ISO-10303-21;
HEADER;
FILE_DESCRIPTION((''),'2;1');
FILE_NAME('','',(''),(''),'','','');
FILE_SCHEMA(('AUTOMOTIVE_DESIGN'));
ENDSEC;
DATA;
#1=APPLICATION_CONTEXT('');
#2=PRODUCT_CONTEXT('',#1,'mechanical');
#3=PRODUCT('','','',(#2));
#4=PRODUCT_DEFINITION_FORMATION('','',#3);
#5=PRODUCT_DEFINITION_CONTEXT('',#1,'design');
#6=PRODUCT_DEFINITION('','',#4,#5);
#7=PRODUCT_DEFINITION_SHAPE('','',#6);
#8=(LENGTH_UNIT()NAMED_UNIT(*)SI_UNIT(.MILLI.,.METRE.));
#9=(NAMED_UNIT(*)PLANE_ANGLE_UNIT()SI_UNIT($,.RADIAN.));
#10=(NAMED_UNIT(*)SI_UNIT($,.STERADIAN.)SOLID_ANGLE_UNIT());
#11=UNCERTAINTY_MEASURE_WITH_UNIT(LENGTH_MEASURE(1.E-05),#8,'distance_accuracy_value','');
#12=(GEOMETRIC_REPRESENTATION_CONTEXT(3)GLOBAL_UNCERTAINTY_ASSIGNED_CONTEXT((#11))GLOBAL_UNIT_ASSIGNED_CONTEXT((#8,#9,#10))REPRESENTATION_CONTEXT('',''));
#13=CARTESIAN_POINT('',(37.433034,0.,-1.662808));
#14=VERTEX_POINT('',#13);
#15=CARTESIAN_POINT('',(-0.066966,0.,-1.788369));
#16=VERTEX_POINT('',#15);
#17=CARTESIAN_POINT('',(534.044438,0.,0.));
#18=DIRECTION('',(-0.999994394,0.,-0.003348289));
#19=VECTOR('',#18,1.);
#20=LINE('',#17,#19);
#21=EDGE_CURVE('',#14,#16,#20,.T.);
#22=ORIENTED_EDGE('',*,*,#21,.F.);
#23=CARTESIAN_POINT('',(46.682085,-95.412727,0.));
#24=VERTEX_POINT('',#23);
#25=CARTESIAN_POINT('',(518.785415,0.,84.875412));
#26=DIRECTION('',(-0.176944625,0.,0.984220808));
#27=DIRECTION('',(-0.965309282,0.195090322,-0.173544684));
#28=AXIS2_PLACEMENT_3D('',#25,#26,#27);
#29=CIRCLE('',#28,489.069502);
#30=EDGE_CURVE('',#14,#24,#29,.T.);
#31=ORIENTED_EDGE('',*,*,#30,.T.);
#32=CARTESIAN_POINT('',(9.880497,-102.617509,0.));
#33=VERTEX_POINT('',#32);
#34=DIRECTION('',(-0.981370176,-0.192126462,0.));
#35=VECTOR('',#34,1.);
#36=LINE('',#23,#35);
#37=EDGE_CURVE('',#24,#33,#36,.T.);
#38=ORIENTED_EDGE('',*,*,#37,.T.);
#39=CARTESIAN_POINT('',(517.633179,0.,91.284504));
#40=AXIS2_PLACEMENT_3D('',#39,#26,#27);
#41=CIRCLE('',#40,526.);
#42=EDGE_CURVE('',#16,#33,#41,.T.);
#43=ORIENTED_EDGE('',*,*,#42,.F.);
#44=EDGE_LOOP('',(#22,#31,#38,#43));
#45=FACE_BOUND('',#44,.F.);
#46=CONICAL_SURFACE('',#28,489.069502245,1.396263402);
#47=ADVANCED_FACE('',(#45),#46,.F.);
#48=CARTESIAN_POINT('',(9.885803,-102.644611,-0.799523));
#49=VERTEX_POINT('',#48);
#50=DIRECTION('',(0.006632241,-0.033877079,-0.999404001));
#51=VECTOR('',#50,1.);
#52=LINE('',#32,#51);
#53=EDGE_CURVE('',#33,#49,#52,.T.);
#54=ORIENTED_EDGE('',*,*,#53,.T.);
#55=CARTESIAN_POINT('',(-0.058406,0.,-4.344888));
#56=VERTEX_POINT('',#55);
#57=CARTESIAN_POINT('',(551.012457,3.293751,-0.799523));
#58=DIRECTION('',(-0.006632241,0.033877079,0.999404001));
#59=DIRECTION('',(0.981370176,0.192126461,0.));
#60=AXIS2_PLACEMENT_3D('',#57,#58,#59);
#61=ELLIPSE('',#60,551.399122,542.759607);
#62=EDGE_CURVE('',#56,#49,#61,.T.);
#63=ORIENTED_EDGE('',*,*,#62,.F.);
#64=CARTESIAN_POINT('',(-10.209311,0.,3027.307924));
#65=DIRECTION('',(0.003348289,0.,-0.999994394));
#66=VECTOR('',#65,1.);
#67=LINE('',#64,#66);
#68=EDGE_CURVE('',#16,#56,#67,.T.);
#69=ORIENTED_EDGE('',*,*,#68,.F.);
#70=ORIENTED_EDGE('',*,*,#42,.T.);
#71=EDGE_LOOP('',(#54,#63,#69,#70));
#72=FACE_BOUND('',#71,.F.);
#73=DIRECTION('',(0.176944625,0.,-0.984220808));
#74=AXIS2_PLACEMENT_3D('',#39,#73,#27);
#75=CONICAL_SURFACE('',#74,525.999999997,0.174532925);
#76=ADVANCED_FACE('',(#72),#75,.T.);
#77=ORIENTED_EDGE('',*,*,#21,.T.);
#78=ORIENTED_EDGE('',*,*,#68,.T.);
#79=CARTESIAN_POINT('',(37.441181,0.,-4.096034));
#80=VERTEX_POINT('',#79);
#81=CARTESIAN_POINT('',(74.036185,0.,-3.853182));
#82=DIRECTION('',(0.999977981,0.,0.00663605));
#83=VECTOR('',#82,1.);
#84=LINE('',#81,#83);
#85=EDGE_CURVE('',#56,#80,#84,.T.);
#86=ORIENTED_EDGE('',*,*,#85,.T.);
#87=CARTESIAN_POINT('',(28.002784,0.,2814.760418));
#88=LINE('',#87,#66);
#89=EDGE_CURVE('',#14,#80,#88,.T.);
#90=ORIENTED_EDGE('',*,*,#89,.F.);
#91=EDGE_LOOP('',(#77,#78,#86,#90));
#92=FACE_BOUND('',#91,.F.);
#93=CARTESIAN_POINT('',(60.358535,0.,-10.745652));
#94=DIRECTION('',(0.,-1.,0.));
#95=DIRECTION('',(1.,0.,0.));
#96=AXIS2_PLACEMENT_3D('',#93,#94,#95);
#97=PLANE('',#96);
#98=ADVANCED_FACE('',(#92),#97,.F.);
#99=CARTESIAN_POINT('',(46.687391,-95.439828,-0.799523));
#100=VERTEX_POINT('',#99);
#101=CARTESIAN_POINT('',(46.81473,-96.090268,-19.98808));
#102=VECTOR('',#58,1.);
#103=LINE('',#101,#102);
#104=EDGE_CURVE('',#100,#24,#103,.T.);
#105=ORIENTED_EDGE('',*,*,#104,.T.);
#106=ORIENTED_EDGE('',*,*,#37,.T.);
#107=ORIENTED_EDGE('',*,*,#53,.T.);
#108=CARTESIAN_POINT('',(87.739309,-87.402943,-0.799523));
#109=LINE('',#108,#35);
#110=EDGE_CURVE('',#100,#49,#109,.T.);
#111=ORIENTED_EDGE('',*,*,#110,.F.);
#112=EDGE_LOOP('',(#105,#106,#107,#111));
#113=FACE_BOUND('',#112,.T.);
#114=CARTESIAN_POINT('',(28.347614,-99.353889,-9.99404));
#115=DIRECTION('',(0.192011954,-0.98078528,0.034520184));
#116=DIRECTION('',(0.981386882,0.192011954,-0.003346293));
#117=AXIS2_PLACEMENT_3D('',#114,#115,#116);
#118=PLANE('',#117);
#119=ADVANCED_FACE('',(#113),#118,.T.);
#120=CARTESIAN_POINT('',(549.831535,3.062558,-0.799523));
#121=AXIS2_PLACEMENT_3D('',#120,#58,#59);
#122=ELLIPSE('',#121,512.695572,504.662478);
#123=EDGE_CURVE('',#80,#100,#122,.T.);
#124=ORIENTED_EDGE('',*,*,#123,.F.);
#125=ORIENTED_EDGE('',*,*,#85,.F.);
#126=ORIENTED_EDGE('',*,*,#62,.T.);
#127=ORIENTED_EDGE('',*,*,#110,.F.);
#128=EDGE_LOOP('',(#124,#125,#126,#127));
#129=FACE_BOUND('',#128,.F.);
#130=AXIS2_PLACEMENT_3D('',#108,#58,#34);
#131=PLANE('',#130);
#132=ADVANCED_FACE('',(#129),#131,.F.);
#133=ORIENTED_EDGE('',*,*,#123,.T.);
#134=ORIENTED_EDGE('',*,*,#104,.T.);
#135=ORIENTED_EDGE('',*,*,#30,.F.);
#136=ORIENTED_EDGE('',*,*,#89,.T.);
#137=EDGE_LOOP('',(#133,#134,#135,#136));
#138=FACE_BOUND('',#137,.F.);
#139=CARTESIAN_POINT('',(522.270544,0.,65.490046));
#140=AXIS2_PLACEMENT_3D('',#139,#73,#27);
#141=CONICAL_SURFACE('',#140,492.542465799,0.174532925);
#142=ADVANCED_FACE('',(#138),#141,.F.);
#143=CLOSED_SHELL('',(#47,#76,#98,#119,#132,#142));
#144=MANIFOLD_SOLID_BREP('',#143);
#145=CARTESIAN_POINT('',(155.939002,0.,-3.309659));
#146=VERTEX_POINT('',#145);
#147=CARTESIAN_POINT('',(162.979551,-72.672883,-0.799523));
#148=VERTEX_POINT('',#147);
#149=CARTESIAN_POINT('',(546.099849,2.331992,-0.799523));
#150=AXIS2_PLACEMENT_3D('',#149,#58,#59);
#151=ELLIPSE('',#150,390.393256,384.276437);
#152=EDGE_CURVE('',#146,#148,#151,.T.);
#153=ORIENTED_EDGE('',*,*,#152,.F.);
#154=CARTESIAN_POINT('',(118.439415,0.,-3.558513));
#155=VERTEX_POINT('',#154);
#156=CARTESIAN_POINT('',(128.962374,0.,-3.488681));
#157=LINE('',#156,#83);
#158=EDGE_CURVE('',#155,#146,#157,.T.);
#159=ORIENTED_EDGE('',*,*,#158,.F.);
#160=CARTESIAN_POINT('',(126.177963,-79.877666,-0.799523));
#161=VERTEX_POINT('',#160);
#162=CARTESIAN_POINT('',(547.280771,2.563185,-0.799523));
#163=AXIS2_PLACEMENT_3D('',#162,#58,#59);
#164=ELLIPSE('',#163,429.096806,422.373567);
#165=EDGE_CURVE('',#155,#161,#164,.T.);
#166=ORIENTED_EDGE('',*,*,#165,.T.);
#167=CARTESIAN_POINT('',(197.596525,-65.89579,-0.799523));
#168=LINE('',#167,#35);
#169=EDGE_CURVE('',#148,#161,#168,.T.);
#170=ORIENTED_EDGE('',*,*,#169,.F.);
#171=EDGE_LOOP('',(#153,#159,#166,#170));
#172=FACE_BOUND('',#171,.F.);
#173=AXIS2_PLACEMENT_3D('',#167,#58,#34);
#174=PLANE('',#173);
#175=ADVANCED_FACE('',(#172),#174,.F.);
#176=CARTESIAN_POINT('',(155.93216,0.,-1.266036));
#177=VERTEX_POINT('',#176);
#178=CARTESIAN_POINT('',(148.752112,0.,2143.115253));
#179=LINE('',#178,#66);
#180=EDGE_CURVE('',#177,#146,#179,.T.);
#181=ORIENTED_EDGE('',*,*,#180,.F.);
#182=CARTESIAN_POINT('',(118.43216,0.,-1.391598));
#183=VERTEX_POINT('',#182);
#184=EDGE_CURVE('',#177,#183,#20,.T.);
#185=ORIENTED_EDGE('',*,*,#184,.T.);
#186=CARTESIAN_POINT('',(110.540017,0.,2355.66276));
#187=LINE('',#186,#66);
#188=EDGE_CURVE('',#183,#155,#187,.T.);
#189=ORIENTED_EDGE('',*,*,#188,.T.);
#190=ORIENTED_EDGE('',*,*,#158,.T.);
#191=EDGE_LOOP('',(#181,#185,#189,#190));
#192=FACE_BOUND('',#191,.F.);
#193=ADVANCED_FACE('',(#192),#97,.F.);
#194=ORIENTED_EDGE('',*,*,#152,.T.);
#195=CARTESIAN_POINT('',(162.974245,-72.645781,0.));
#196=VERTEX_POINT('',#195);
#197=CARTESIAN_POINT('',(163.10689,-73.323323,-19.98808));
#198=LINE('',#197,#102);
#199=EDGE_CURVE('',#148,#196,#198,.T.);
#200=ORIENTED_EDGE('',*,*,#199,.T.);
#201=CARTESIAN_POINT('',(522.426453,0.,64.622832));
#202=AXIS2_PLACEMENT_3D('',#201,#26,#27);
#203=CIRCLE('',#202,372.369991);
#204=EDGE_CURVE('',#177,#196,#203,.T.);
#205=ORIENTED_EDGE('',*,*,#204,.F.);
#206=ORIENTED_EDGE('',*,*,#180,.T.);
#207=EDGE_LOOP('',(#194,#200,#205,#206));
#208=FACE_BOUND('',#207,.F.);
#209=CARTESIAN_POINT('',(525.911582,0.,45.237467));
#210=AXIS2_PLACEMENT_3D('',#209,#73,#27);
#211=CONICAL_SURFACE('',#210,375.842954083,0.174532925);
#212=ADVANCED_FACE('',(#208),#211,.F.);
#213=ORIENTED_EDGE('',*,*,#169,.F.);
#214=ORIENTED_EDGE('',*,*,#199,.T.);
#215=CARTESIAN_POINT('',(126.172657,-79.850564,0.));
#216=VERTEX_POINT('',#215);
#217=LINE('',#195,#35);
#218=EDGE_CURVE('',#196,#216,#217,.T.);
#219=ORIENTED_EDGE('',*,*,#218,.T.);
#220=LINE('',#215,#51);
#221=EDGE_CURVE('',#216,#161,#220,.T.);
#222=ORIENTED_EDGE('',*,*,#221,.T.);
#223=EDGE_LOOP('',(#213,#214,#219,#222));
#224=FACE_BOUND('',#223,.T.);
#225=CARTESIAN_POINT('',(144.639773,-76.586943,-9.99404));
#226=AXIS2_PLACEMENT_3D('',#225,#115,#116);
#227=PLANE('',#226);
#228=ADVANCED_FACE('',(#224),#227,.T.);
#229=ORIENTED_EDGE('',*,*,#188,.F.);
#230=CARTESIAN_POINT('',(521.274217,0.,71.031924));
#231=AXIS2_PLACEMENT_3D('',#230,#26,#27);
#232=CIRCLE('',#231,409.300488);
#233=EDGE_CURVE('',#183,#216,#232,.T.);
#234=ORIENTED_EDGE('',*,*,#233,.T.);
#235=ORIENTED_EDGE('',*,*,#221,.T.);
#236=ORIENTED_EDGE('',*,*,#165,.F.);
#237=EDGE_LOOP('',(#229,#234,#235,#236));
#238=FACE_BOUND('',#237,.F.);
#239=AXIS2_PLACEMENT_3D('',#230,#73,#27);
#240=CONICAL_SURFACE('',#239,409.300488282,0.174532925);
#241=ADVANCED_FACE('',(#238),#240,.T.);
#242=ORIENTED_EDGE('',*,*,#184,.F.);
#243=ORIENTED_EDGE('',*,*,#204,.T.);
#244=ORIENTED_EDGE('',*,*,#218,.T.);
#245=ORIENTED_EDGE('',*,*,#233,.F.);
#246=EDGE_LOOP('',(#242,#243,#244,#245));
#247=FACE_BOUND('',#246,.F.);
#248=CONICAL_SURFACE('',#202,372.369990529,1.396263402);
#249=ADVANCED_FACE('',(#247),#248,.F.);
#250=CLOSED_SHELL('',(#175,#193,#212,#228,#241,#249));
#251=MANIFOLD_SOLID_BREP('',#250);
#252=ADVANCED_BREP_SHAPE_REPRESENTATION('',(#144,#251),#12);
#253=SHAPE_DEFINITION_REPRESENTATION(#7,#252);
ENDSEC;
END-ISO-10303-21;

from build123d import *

# Parameters (mm, degrees)
F1_ANGLE_BACK = 11.25
F1_ANGLE      = 22.5
F2_W          = 186.3759476691
F2_H          = 20.6737495929
F3_DEPTH      = 118.1
F5_DEPTH      = 202.1
F7_DEPTH      = 395.5
F8_W          = 295.8482578397
F8_H          = 157.7552556992
F9_DEPTH      = 233


with BuildPart() as f1:
    # F0 (on Front) → F1 (revolve)
    with BuildSketch(Plane.XZ, mode=Mode.PRIVATE) as f1_sk:
        Polygon((37.433034228, -1.662807624), (-0.066965772, -1.7883691504), (0, -21.7882570398), (37.5, -21.6626955134), align=None)
    revolve(f1_sk.sketch.rotate(Axis((525.8388087714, 0, 45.6422517605), (-0.1769446249, 0, 0.9842208084)), -F1_ANGLE_BACK), axis=Axis((525.8388087714, 0, 45.6422517605), (-0.1769446249, 0, 0.9842208084)), revolution_arc=F1_ANGLE)


with BuildPart() as f1b:
    # F0 (on Front) → F1, piece 2 (revolve)
    with BuildSketch(Plane.XZ, mode=Mode.PRIVATE) as f1_sk:
        Polygon((155.9321597647, -1.2660361285), (118.4321597647, -1.391597655), (118.4991255367, -21.3914855443), (155.9991255367, -21.2659240179), align=None)
    revolve(f1_sk.sketch.rotate(Axis((525.8388087714, 0, 45.6422517605), (-0.1769446249, 0, 0.9842208084)), -F1_ANGLE_BACK), axis=Axis((525.8388087714, 0, 45.6422517605), (-0.1769446249, 0, 0.9842208084)), revolution_arc=F1_ANGLE)


with BuildPart() as f3_tool:
    # F2 (on Front) → F3 (new body, symmetric)
    with BuildSketch(Plane.XZ):
        with Locations((81.4311942086, -17.1368747965)):
            Rectangle(F2_W, F2_H)
    extrude(amount=F3_DEPTH, both=True)


with BuildPart() as f1_1:
    add(f1.part)

    # F3: cut by f3_tool
    add(f3_tool.part, mode=Mode.SUBTRACT)

    # F6 (on face) → F7 (cut)
    with BuildSketch(Plane(origin=(19.6894657776, -100.5725829361, 3.539800323), x_dir=(0.9813925868, 0.1918931334, -0.0067539617), z_dir=(0.1920119545, -0.9807852804, 0.0345201838))):
        Polygon((-9.9895421705, -4.4095212135), (-32.792224807, -4.5636250219), (-31.6481473996, -34.3096621304), (68.2897940278, -26.3134762645), (69.3400830806, -3.873400198), (27.5098117032, -4.1560951874), (27.5503870452, -10.1600132931), (-9.9489668285, -10.4134393192), align=None)
        Polygon((27.5098117032, -4.1560951874), (-9.9895421705, -4.4095212135), (-9.9489668285, -10.4134393192), (27.5503870452, -10.1600132931), align=None)
    extrude(amount=-F7_DEPTH, mode=Mode.SUBTRACT)


with BuildPart() as f1b_1:
    add(f1b.part)

    # F3: cut by f3_tool
    add(f3_tool.part, mode=Mode.SUBTRACT)

    # F4 (on face) → F5 (cut)
    with BuildSketch(Plane(origin=(19.6894657776, -100.5725829361, 3.539800323), x_dir=(0.9813925868, 0.1918931334, -0.0067539617), z_dir=(0.1920119545, -0.9807852804, 0.0345201838))):
        Polygon((108.5075416222, -3.6087008807), (103.6947359269, -3.6412265137), (102.3456370269, -20.5049160934), (182.2897195816, -19.1945433617), (181.2802152973, -3.1168926869), (146.006895496, -3.3552748546), (146.0474708379, -9.3591929603), (108.5481169642, -9.6126189864), align=None)
        Polygon((146.006895496, -3.3552748546), (108.5075416222, -3.6087008807), (108.5481169642, -9.6126189864), (146.0474708379, -9.3591929603), align=None)
    extrude(amount=-F5_DEPTH, mode=Mode.SUBTRACT)


with BuildPart() as f9_tool:
    # F8 (on Front) → F9 (new body)
    with BuildSketch(Plane.XZ):
        with Locations((60.3585354984, -10.74565202)):
            Rectangle(F8_W, F8_H)
    extrude(amount=-F9_DEPTH)


with BuildPart() as f1_2:
    add(f1_1.part)

    # F9: cut by f9_tool
    add(f9_tool.part, mode=Mode.SUBTRACT)


with BuildPart() as f1b_2:
    add(f1b_1.part)

    # F9: cut by f9_tool
    add(f9_tool.part, mode=Mode.SUBTRACT)


solid = Compound([f1_2.part, f1b_2.part])
